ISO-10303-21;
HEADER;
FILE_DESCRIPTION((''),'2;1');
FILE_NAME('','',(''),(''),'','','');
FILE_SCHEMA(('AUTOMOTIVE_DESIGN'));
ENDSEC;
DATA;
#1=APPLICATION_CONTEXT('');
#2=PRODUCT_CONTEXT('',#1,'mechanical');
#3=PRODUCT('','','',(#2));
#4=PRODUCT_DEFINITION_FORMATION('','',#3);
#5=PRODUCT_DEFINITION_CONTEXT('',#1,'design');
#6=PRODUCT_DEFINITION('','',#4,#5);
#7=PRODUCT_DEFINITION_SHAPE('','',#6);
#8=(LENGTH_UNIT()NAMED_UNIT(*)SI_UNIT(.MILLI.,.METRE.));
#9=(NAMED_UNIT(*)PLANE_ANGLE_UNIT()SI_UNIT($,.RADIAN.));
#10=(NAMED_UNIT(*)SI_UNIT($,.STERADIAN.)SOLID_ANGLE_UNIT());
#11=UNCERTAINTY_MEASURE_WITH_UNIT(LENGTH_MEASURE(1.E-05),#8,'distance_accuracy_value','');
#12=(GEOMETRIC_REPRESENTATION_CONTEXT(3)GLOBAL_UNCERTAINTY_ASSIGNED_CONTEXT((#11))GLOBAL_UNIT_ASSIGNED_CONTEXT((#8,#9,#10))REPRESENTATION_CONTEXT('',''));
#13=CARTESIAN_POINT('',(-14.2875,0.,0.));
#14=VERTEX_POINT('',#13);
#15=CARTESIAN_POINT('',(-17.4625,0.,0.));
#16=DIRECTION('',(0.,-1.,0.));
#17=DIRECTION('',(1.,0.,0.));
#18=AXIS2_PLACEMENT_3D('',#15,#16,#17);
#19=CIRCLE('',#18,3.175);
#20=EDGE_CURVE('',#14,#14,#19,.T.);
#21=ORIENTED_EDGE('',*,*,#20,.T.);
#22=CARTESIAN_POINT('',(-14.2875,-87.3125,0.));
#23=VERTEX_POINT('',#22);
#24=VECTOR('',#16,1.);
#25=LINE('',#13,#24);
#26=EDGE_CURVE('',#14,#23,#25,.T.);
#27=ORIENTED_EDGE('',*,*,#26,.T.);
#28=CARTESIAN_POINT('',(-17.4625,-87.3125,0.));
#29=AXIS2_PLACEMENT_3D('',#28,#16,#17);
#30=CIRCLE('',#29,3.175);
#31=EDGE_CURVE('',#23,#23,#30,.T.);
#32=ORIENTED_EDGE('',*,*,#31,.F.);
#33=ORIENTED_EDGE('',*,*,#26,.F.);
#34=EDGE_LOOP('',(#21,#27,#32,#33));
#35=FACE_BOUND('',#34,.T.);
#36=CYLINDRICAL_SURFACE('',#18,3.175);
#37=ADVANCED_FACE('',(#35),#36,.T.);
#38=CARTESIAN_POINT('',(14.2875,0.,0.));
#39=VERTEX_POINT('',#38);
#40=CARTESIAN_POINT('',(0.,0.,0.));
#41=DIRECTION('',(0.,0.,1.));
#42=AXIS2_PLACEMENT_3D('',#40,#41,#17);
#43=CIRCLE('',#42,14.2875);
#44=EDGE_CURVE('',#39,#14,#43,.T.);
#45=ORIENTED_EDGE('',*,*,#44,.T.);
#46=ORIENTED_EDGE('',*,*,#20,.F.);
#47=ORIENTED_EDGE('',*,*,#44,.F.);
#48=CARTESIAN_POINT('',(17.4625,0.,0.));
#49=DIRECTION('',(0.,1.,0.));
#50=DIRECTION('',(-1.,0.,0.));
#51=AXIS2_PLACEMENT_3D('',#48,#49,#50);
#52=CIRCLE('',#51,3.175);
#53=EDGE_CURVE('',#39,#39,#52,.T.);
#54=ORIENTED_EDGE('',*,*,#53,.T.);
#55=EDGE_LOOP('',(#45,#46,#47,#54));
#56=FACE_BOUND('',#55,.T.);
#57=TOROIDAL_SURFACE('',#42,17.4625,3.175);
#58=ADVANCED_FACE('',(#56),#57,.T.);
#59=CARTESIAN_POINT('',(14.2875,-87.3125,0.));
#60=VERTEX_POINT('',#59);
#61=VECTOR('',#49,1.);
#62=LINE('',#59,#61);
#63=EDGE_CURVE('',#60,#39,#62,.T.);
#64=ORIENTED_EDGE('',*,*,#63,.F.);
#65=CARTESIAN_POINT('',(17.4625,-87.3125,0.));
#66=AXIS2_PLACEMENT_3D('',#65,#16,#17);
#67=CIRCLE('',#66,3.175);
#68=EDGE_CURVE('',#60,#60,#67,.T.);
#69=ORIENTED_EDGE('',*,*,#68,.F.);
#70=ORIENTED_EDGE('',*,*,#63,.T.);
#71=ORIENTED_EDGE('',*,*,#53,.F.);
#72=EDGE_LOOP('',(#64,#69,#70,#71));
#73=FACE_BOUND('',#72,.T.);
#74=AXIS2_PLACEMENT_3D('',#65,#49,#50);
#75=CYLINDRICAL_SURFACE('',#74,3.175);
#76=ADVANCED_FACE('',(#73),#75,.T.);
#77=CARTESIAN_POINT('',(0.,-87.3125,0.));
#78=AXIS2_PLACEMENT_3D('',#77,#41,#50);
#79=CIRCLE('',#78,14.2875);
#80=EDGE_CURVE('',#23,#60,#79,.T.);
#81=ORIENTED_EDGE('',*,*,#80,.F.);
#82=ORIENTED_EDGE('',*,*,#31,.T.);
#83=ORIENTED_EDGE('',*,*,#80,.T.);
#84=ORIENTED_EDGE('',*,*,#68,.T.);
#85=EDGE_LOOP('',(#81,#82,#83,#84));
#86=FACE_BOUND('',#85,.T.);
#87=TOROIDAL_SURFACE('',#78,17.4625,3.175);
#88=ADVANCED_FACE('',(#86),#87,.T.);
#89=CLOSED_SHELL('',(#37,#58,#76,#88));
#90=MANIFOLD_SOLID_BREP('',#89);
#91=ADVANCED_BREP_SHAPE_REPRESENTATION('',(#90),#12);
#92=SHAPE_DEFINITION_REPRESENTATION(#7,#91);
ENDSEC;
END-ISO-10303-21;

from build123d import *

# Parameters (mm, degrees)
F1_R = 3.175


with BuildPart() as f2:
    # F2: sweep along a path in F0
    with BuildLine(Plane.XY) as f2_path:
        Line((-17.4625, 0), (-17.4625, -87.3125))
        ThreePointArc((-17.4625, -87.3125), (0, -104.775), (17.4625, -87.3125))
        Line((17.4625, -87.3125), (17.4625, 0))
        ThreePointArc((17.4625, 0), (0, 17.4625), (-17.4625, 0))
    # F1 (on Front) → F2 (sweep)
    with BuildSketch(Plane.XZ):
        with Locations((-17.4625, 0)):
            Circle(F1_R)
    sweep(path=f2_path.line)


solid = f2.part
